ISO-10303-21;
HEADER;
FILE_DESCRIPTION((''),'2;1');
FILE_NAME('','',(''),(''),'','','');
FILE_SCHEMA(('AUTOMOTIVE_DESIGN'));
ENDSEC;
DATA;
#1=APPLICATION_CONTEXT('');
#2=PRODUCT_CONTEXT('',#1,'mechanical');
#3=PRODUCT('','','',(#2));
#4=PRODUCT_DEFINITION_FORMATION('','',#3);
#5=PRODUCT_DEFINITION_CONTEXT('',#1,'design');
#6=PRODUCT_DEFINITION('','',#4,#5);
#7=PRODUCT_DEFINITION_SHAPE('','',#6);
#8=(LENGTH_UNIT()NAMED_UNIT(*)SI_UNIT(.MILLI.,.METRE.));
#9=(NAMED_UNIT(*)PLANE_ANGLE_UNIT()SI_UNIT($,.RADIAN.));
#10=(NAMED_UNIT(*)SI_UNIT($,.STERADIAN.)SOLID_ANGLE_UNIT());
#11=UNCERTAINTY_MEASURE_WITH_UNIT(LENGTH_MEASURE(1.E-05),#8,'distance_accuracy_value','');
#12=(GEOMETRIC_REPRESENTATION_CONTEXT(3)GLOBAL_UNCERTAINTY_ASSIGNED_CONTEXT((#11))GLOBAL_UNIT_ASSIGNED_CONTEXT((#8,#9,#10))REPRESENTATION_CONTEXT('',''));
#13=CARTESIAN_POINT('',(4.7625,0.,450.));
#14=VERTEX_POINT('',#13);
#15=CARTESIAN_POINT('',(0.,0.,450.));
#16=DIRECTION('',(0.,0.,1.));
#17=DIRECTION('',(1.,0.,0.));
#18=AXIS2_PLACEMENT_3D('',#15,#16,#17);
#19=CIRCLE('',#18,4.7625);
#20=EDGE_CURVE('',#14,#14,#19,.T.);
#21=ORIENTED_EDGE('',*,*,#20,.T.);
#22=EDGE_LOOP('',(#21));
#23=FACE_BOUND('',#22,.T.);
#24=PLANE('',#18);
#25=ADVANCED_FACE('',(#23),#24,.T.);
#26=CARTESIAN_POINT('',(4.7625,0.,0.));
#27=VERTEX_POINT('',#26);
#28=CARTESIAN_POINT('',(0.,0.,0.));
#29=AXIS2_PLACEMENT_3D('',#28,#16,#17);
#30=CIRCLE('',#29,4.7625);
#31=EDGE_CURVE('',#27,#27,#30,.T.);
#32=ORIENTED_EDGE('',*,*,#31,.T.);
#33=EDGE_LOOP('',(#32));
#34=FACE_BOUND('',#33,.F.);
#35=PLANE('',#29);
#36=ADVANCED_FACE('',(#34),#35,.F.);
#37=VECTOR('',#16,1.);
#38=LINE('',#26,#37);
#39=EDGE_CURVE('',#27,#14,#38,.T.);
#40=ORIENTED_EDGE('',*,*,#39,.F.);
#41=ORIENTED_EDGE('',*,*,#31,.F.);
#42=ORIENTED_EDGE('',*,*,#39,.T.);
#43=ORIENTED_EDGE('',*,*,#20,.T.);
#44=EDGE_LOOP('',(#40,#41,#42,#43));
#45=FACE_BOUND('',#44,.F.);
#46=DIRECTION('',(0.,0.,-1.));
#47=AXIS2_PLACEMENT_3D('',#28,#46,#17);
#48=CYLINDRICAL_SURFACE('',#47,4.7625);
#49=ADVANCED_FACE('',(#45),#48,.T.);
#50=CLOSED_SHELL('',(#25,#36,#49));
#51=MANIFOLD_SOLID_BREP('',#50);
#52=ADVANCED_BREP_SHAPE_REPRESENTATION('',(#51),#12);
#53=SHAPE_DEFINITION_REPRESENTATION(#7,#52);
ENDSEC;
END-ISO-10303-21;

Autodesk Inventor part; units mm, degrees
ref_plane "YZ Plane" through (0, 0, 0) normal (1, 0, 0) x (0, 1, 0)
ref_plane "XZ Plane" through (0, 0, 0) normal (0, 1, 0) x (-1, 0, 0)
ref_plane "XY Plane" through (0, 0, 0) normal (0, 0, 1) x (1, 0, 0)
sketch "Sketch1" plane through (0, 0, 0) normal (0, 0, 1) x (1, 0, 0)
  circle A0 centre (0, 0) radius 4.7625
  dimension "d0" = 9.525
extrude "Extrusion1" add sketch "Sketch1" along normal blind 450
thread "Thread1" size "M14x2" class "6g" standard "ANSI Metric M Profile" full length
properties part number "1-2in_eebase_connector"
